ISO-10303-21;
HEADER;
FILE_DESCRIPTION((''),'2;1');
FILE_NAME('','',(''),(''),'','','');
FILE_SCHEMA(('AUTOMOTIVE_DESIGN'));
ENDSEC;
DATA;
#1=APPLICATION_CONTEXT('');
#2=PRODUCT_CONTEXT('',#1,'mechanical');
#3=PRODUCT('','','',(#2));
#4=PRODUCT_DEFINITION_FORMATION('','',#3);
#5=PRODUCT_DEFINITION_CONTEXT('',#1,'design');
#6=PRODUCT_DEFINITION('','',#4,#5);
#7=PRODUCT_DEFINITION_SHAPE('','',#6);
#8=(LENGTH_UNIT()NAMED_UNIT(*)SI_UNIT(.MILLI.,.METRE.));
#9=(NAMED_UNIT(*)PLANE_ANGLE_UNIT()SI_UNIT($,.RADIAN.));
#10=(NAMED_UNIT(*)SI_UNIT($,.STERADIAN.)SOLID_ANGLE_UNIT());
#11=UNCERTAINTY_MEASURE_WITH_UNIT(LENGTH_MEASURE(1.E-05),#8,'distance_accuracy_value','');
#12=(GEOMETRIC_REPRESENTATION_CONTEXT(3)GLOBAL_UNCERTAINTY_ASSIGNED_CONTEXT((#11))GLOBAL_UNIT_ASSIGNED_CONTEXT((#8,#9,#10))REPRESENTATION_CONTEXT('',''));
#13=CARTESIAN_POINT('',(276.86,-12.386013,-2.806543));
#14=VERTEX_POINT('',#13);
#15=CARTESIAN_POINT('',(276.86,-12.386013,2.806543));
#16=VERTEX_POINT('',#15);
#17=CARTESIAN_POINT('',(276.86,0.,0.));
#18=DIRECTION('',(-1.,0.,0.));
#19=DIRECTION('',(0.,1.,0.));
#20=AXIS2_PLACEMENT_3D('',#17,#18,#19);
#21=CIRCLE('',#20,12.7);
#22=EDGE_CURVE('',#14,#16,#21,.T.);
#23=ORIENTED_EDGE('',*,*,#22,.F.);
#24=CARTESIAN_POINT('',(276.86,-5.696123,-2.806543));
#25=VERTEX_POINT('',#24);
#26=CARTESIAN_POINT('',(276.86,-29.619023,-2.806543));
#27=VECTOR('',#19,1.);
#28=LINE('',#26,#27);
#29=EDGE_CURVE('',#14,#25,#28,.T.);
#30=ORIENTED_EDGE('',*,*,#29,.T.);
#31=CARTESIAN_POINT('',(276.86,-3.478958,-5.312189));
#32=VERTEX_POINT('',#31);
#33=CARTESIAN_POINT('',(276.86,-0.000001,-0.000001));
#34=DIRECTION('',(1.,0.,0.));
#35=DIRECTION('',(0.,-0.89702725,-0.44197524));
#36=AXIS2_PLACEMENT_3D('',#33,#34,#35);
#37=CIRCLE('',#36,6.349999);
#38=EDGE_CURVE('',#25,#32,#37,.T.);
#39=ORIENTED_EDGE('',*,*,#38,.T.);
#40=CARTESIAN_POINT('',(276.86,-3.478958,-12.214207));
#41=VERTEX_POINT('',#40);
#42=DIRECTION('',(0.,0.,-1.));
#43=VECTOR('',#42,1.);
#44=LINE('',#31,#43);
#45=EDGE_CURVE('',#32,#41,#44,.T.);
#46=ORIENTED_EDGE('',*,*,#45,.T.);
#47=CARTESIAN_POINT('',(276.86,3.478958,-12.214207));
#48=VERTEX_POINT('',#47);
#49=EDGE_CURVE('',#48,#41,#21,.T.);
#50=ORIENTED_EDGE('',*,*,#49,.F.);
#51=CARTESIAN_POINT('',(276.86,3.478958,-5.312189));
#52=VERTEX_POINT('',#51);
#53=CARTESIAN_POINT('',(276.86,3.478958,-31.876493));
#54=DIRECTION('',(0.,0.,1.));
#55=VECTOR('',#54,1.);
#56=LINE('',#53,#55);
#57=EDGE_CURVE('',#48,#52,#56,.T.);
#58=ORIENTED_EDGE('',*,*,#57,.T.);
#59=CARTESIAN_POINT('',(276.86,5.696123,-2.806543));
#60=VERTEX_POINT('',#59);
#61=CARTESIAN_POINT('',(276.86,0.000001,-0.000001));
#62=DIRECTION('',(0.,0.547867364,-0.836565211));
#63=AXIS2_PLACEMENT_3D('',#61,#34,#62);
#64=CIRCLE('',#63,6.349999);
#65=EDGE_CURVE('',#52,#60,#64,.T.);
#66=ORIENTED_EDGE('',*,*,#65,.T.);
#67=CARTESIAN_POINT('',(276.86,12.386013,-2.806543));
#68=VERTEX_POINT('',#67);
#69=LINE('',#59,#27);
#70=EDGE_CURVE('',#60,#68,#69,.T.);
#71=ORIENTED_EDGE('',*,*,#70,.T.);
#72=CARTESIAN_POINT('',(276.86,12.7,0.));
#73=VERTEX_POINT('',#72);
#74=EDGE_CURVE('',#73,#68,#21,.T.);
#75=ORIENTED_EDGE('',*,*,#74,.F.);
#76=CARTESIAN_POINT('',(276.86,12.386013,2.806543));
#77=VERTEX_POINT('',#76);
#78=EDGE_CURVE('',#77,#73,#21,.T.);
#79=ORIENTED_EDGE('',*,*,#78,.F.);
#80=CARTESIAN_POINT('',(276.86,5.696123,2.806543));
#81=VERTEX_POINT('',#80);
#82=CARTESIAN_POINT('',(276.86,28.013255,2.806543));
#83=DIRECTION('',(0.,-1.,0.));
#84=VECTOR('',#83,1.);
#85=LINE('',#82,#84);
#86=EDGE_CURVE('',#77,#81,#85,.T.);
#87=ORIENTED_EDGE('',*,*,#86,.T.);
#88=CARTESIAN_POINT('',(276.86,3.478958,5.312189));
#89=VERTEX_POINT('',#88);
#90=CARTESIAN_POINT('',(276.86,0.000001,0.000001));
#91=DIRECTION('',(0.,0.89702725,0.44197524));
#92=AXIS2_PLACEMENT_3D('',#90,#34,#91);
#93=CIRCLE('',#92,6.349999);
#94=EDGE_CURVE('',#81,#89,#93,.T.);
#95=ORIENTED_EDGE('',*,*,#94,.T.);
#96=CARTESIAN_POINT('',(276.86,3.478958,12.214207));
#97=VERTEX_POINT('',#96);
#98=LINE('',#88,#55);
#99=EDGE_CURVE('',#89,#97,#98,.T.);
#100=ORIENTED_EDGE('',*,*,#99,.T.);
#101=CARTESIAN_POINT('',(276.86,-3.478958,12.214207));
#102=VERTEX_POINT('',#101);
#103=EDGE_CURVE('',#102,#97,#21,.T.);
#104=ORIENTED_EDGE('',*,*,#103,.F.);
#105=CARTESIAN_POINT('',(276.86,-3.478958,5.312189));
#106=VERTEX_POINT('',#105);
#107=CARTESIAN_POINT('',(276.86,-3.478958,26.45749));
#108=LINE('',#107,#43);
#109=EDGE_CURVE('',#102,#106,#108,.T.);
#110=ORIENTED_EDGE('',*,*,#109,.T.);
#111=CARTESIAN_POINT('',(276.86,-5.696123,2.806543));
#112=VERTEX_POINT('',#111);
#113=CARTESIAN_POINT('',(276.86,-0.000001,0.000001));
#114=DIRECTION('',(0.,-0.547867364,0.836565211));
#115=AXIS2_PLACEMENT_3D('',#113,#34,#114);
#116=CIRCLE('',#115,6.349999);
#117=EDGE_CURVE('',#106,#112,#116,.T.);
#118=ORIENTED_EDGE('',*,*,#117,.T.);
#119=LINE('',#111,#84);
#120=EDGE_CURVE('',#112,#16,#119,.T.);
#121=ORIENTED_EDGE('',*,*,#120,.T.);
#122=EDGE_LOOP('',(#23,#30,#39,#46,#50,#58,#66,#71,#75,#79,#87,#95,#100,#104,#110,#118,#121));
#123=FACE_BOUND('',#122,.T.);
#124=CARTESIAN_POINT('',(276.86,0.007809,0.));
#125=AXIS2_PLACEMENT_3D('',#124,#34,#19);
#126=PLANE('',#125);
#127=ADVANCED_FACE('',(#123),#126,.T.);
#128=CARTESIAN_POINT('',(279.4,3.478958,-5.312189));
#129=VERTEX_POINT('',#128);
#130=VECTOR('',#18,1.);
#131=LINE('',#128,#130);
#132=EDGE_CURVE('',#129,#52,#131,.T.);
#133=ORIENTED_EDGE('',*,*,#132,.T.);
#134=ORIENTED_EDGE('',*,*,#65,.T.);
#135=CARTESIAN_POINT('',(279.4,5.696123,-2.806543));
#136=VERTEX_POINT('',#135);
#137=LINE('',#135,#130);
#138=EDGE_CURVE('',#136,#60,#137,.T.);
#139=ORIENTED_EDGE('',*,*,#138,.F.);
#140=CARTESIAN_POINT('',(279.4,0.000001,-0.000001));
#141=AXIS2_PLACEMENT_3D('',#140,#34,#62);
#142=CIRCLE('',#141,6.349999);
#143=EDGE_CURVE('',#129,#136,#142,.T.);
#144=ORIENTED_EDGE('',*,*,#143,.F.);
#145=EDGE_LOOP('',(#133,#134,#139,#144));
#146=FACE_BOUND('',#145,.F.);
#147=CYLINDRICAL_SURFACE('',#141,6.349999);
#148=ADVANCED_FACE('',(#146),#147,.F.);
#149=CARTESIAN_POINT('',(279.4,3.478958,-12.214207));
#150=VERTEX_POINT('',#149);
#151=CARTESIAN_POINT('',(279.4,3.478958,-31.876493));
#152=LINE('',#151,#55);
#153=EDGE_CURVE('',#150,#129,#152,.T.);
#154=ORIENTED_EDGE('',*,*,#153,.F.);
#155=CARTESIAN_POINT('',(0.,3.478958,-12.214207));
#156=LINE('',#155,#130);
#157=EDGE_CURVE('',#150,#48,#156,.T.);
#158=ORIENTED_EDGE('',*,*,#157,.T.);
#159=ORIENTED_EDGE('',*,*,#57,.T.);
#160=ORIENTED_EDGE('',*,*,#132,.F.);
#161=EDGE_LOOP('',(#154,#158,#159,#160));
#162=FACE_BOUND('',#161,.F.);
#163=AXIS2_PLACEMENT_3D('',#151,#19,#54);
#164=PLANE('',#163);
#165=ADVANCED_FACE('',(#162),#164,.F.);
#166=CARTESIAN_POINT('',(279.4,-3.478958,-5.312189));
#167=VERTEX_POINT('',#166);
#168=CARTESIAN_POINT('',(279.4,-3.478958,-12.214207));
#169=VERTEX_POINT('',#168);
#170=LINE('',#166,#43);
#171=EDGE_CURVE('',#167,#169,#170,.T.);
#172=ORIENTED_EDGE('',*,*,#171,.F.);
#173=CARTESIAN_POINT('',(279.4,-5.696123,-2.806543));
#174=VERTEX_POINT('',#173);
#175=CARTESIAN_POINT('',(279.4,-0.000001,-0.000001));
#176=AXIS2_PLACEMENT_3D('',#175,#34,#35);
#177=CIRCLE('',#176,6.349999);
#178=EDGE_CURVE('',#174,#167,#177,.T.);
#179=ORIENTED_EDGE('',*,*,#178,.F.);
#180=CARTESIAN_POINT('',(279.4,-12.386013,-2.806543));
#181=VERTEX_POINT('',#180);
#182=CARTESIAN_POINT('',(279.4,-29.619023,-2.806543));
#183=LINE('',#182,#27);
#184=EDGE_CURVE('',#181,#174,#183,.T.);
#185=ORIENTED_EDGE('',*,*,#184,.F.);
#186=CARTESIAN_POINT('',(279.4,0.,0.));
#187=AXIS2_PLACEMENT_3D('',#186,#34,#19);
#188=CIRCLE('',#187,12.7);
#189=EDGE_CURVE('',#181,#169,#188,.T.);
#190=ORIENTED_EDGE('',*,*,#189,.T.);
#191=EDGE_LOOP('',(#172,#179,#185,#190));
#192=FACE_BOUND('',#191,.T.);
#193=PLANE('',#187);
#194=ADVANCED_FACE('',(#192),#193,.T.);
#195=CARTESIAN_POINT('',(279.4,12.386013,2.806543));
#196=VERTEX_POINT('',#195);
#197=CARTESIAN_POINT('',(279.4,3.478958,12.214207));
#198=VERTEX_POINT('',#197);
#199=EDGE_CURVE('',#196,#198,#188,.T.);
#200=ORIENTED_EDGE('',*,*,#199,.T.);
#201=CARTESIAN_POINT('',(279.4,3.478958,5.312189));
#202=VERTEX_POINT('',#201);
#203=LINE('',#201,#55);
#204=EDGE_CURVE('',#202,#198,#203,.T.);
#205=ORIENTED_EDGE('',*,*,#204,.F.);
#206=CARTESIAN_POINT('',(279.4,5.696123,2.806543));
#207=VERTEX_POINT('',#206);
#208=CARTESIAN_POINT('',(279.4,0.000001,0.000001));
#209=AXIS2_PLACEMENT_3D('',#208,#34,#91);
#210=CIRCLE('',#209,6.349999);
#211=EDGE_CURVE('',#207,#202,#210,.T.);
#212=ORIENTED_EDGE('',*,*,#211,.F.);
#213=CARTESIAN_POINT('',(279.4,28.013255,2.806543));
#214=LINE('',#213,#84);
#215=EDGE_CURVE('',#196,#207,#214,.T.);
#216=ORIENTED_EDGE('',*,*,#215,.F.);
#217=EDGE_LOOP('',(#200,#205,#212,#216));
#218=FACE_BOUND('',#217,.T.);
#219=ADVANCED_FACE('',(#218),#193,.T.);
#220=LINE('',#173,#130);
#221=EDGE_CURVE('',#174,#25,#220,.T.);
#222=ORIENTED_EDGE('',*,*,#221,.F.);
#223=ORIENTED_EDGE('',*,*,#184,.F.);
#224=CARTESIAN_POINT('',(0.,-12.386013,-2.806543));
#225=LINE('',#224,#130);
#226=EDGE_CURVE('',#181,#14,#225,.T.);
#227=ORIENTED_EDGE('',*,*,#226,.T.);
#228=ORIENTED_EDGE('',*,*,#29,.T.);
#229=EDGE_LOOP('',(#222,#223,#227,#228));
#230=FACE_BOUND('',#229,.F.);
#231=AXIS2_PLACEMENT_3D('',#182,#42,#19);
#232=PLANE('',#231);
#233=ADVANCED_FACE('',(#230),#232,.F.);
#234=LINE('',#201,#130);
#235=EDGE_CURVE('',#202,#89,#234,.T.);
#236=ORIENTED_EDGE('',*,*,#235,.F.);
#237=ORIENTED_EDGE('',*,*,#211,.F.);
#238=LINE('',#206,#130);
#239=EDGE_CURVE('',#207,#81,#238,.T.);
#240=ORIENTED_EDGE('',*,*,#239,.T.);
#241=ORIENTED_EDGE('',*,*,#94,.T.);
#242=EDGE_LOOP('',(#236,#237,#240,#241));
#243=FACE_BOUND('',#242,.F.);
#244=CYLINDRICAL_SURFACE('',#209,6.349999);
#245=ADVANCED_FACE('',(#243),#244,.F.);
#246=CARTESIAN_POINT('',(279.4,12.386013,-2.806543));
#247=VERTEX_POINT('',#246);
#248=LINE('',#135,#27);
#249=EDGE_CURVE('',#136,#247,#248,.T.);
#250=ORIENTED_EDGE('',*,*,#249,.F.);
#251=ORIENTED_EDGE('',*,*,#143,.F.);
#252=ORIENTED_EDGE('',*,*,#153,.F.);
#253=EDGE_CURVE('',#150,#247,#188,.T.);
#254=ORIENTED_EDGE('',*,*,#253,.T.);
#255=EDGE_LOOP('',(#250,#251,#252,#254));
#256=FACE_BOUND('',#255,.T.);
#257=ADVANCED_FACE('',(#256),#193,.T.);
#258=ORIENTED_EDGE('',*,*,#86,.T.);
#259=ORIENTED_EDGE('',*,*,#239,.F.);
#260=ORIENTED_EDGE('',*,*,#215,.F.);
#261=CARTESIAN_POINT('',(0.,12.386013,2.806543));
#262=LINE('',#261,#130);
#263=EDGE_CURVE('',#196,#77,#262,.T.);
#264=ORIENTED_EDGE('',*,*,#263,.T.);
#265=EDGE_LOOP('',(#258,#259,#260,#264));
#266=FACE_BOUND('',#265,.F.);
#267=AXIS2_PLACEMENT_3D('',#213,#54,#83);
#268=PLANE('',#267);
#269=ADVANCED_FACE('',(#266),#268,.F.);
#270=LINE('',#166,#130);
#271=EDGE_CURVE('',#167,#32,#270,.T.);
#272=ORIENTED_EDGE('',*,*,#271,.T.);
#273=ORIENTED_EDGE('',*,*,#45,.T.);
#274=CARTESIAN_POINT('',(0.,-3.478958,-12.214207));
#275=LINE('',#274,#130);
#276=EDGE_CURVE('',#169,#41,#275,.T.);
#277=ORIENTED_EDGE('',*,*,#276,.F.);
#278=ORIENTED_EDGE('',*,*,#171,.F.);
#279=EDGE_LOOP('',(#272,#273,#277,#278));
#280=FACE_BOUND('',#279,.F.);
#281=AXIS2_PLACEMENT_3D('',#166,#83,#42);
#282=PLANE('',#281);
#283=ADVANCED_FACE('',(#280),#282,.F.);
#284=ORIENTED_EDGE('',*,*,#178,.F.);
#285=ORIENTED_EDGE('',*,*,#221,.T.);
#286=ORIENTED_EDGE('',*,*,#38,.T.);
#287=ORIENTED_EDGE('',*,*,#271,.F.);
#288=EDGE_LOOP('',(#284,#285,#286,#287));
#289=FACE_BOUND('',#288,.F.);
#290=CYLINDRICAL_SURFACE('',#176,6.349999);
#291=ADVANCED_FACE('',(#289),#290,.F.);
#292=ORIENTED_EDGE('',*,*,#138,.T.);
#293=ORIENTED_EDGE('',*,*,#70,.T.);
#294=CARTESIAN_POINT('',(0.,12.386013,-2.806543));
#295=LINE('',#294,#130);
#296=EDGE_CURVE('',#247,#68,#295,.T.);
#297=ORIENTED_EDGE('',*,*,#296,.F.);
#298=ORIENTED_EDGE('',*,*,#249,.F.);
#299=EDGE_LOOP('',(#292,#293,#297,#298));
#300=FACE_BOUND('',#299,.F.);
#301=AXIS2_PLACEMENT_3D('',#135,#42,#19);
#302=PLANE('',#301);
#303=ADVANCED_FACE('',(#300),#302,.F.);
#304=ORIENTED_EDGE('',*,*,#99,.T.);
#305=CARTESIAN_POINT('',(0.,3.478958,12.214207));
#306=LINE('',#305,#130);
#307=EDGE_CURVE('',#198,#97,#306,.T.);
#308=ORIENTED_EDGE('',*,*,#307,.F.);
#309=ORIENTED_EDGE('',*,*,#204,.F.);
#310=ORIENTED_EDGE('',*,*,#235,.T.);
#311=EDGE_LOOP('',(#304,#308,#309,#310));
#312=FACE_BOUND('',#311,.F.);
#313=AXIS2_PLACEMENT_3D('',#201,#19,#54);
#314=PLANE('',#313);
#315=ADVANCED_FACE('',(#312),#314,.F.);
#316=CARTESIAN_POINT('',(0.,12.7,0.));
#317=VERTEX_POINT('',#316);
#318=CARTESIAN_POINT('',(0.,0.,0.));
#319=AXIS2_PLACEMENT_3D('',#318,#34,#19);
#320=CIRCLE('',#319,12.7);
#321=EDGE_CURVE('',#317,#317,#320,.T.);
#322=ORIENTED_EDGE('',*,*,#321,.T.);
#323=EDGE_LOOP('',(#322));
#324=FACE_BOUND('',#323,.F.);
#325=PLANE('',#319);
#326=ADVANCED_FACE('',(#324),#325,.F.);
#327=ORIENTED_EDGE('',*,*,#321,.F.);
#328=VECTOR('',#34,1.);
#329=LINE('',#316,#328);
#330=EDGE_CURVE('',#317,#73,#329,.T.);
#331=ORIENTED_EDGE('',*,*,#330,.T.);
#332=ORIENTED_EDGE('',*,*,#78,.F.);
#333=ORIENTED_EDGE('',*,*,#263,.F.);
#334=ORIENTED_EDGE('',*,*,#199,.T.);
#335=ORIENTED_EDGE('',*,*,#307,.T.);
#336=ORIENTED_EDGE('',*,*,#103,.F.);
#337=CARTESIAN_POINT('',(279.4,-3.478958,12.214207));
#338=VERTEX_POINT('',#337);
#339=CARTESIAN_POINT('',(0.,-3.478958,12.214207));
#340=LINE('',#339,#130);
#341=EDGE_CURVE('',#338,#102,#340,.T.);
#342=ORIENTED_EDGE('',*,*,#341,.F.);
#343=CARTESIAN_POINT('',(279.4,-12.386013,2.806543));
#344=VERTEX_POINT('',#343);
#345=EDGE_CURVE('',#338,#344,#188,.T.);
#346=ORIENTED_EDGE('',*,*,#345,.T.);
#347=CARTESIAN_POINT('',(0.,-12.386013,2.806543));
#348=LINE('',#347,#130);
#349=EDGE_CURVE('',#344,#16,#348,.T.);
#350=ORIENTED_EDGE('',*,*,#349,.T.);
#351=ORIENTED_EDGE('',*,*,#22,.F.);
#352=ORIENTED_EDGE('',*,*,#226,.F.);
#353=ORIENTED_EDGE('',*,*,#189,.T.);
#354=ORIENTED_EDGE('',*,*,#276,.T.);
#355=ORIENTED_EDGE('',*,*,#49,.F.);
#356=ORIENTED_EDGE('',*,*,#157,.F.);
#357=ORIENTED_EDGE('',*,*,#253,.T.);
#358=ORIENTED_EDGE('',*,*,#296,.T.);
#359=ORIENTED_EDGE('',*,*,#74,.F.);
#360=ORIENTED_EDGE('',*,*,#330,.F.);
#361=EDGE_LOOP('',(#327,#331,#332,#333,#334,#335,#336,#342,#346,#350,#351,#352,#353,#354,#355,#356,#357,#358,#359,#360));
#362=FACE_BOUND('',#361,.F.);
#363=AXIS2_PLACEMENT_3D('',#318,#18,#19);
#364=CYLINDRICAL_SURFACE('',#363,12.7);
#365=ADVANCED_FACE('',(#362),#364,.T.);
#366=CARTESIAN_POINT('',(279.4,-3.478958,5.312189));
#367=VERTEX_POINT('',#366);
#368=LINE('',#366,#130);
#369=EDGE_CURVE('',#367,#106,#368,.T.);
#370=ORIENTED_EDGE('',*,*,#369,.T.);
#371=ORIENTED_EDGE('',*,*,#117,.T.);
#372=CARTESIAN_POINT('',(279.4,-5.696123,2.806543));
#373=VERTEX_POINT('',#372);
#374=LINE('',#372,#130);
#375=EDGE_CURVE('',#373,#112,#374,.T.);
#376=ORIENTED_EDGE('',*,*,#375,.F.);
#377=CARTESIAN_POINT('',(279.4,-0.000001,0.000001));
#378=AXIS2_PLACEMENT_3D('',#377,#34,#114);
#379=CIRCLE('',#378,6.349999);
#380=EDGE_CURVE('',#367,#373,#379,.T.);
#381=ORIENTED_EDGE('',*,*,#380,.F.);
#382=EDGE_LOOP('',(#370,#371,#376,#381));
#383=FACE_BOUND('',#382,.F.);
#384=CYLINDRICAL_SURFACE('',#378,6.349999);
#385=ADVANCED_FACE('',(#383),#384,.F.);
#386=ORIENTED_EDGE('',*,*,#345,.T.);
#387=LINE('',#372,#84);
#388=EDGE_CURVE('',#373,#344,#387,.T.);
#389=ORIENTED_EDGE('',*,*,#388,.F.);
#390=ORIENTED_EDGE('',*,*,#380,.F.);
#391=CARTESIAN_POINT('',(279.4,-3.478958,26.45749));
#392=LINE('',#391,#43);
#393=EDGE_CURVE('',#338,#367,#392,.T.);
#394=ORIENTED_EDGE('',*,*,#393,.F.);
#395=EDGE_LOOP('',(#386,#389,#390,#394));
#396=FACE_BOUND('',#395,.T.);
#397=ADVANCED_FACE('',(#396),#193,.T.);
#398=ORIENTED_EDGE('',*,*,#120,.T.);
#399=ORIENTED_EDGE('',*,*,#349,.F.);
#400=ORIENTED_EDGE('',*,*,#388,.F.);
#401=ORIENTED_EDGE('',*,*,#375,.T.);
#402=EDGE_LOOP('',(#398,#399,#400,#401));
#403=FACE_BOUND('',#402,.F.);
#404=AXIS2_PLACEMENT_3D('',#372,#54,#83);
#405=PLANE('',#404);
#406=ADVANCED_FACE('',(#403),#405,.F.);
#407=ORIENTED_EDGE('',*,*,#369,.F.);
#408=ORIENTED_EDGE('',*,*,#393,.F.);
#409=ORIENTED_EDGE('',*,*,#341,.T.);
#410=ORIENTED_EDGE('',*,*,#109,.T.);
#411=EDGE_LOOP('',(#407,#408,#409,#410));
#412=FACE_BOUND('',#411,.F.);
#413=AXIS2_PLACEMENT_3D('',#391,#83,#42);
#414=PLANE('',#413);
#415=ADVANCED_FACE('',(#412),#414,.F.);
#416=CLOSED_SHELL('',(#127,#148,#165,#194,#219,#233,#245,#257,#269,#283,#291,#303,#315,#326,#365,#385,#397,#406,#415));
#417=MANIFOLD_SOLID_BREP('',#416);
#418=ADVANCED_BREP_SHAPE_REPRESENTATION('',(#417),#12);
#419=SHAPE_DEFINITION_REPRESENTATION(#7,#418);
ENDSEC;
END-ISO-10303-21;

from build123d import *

# Parameters (mm, degrees)
F0_R     = 12.7
F1_DEPTH = 279.4
F3_DEPTH = 2.54


with BuildPart() as f1:
    # F0 (on Right) → F1 (new body)
    with BuildSketch(Plane.YZ):
        Circle(F0_R)
    extrude(amount=F1_DEPTH)

    # F2 (on face) → F3 (cut)
    with BuildSketch(Plane.YZ.offset(279.4)):
        with BuildLine():
            ThreePointArc((5.696123, -2.806543), (6.184371, -1.440854), (6.35, 0))
            ThreePointArc((6.35, 0), (6.184371, 1.440854), (5.696123, 2.806543))
            ThreePointArc((5.696123, 2.806543), (4.755533, 4.208017), (3.478958, 5.312189))
            ThreePointArc((3.478958, 5.312189), (0, 6.35), (-3.478958, 5.312189))
            ThreePointArc((-3.478958, 5.312189), (-4.755533, 4.208017), (-5.696123, 2.806543))
            ThreePointArc((-5.696123, 2.806543), (-6.35, 0), (-5.696123, -2.806543))
            ThreePointArc((-5.696123, -2.806543), (-4.755533, -4.208017), (-3.478958, -5.312189))
            ThreePointArc((-3.478958, -5.312189), (0, -6.35), (3.478958, -5.312189))
            ThreePointArc((3.478958, -5.312189), (4.755533, -4.208017), (5.696123, -2.806543))
        make_face()
        with BuildLine():
            ThreePointArc((5.696123, 2.806543), (6.184371, 1.440854), (6.35, 0))
            ThreePointArc((6.35, 0), (6.184371, -1.440854), (5.696123, -2.806543))
            Line((5.696123, -2.806543), (28.013255, -2.806543))
            Line((28.013255, -2.806543), (28.013255, 0))
            Line((28.013255, 0), (28.013255, 2.806543))
            Line((28.013255, 2.806543), (5.696123, 2.806543))
        make_face()
        with BuildLine():
            ThreePointArc((-3.478958, 5.312189), (0, 6.35), (3.478958, 5.312189))
            Line((3.478958, 5.312189), (3.478958, 26.45749))
            Line((3.478958, 26.45749), (0, 26.45749))
            Line((0, 26.45749), (-3.478958, 26.45749))
            Line((-3.478958, 26.45749), (-3.478958, 5.312189))
        make_face()
        with BuildLine():
            Line((3.478958, -31.876493), (3.478958, -5.312189))
            ThreePointArc((3.478958, -5.312189), (0, -6.35), (-3.478958, -5.312189))
            Line((-3.478958, -5.312189), (-3.478958, -31.876493))
            Line((-3.478958, -31.876493), (0, -31.876493))
            Line((0, -31.876493), (3.478958, -31.876493))
        make_face()
        with BuildLine():
            ThreePointArc((-5.696123, -2.806543), (-6.35, 0), (-5.696123, 2.806543))
            Line((-5.696123, 2.806543), (-29.619023, 2.806543))
            Line((-29.619023, 2.806543), (-29.619023, 0))
            Line((-29.619023, 0), (-29.619023, -2.806543))
            Line((-29.619023, -2.806543), (-5.696123, -2.806543))
        make_face()
    extrude(amount=-F3_DEPTH, mode=Mode.SUBTRACT)


solid = f1.part
